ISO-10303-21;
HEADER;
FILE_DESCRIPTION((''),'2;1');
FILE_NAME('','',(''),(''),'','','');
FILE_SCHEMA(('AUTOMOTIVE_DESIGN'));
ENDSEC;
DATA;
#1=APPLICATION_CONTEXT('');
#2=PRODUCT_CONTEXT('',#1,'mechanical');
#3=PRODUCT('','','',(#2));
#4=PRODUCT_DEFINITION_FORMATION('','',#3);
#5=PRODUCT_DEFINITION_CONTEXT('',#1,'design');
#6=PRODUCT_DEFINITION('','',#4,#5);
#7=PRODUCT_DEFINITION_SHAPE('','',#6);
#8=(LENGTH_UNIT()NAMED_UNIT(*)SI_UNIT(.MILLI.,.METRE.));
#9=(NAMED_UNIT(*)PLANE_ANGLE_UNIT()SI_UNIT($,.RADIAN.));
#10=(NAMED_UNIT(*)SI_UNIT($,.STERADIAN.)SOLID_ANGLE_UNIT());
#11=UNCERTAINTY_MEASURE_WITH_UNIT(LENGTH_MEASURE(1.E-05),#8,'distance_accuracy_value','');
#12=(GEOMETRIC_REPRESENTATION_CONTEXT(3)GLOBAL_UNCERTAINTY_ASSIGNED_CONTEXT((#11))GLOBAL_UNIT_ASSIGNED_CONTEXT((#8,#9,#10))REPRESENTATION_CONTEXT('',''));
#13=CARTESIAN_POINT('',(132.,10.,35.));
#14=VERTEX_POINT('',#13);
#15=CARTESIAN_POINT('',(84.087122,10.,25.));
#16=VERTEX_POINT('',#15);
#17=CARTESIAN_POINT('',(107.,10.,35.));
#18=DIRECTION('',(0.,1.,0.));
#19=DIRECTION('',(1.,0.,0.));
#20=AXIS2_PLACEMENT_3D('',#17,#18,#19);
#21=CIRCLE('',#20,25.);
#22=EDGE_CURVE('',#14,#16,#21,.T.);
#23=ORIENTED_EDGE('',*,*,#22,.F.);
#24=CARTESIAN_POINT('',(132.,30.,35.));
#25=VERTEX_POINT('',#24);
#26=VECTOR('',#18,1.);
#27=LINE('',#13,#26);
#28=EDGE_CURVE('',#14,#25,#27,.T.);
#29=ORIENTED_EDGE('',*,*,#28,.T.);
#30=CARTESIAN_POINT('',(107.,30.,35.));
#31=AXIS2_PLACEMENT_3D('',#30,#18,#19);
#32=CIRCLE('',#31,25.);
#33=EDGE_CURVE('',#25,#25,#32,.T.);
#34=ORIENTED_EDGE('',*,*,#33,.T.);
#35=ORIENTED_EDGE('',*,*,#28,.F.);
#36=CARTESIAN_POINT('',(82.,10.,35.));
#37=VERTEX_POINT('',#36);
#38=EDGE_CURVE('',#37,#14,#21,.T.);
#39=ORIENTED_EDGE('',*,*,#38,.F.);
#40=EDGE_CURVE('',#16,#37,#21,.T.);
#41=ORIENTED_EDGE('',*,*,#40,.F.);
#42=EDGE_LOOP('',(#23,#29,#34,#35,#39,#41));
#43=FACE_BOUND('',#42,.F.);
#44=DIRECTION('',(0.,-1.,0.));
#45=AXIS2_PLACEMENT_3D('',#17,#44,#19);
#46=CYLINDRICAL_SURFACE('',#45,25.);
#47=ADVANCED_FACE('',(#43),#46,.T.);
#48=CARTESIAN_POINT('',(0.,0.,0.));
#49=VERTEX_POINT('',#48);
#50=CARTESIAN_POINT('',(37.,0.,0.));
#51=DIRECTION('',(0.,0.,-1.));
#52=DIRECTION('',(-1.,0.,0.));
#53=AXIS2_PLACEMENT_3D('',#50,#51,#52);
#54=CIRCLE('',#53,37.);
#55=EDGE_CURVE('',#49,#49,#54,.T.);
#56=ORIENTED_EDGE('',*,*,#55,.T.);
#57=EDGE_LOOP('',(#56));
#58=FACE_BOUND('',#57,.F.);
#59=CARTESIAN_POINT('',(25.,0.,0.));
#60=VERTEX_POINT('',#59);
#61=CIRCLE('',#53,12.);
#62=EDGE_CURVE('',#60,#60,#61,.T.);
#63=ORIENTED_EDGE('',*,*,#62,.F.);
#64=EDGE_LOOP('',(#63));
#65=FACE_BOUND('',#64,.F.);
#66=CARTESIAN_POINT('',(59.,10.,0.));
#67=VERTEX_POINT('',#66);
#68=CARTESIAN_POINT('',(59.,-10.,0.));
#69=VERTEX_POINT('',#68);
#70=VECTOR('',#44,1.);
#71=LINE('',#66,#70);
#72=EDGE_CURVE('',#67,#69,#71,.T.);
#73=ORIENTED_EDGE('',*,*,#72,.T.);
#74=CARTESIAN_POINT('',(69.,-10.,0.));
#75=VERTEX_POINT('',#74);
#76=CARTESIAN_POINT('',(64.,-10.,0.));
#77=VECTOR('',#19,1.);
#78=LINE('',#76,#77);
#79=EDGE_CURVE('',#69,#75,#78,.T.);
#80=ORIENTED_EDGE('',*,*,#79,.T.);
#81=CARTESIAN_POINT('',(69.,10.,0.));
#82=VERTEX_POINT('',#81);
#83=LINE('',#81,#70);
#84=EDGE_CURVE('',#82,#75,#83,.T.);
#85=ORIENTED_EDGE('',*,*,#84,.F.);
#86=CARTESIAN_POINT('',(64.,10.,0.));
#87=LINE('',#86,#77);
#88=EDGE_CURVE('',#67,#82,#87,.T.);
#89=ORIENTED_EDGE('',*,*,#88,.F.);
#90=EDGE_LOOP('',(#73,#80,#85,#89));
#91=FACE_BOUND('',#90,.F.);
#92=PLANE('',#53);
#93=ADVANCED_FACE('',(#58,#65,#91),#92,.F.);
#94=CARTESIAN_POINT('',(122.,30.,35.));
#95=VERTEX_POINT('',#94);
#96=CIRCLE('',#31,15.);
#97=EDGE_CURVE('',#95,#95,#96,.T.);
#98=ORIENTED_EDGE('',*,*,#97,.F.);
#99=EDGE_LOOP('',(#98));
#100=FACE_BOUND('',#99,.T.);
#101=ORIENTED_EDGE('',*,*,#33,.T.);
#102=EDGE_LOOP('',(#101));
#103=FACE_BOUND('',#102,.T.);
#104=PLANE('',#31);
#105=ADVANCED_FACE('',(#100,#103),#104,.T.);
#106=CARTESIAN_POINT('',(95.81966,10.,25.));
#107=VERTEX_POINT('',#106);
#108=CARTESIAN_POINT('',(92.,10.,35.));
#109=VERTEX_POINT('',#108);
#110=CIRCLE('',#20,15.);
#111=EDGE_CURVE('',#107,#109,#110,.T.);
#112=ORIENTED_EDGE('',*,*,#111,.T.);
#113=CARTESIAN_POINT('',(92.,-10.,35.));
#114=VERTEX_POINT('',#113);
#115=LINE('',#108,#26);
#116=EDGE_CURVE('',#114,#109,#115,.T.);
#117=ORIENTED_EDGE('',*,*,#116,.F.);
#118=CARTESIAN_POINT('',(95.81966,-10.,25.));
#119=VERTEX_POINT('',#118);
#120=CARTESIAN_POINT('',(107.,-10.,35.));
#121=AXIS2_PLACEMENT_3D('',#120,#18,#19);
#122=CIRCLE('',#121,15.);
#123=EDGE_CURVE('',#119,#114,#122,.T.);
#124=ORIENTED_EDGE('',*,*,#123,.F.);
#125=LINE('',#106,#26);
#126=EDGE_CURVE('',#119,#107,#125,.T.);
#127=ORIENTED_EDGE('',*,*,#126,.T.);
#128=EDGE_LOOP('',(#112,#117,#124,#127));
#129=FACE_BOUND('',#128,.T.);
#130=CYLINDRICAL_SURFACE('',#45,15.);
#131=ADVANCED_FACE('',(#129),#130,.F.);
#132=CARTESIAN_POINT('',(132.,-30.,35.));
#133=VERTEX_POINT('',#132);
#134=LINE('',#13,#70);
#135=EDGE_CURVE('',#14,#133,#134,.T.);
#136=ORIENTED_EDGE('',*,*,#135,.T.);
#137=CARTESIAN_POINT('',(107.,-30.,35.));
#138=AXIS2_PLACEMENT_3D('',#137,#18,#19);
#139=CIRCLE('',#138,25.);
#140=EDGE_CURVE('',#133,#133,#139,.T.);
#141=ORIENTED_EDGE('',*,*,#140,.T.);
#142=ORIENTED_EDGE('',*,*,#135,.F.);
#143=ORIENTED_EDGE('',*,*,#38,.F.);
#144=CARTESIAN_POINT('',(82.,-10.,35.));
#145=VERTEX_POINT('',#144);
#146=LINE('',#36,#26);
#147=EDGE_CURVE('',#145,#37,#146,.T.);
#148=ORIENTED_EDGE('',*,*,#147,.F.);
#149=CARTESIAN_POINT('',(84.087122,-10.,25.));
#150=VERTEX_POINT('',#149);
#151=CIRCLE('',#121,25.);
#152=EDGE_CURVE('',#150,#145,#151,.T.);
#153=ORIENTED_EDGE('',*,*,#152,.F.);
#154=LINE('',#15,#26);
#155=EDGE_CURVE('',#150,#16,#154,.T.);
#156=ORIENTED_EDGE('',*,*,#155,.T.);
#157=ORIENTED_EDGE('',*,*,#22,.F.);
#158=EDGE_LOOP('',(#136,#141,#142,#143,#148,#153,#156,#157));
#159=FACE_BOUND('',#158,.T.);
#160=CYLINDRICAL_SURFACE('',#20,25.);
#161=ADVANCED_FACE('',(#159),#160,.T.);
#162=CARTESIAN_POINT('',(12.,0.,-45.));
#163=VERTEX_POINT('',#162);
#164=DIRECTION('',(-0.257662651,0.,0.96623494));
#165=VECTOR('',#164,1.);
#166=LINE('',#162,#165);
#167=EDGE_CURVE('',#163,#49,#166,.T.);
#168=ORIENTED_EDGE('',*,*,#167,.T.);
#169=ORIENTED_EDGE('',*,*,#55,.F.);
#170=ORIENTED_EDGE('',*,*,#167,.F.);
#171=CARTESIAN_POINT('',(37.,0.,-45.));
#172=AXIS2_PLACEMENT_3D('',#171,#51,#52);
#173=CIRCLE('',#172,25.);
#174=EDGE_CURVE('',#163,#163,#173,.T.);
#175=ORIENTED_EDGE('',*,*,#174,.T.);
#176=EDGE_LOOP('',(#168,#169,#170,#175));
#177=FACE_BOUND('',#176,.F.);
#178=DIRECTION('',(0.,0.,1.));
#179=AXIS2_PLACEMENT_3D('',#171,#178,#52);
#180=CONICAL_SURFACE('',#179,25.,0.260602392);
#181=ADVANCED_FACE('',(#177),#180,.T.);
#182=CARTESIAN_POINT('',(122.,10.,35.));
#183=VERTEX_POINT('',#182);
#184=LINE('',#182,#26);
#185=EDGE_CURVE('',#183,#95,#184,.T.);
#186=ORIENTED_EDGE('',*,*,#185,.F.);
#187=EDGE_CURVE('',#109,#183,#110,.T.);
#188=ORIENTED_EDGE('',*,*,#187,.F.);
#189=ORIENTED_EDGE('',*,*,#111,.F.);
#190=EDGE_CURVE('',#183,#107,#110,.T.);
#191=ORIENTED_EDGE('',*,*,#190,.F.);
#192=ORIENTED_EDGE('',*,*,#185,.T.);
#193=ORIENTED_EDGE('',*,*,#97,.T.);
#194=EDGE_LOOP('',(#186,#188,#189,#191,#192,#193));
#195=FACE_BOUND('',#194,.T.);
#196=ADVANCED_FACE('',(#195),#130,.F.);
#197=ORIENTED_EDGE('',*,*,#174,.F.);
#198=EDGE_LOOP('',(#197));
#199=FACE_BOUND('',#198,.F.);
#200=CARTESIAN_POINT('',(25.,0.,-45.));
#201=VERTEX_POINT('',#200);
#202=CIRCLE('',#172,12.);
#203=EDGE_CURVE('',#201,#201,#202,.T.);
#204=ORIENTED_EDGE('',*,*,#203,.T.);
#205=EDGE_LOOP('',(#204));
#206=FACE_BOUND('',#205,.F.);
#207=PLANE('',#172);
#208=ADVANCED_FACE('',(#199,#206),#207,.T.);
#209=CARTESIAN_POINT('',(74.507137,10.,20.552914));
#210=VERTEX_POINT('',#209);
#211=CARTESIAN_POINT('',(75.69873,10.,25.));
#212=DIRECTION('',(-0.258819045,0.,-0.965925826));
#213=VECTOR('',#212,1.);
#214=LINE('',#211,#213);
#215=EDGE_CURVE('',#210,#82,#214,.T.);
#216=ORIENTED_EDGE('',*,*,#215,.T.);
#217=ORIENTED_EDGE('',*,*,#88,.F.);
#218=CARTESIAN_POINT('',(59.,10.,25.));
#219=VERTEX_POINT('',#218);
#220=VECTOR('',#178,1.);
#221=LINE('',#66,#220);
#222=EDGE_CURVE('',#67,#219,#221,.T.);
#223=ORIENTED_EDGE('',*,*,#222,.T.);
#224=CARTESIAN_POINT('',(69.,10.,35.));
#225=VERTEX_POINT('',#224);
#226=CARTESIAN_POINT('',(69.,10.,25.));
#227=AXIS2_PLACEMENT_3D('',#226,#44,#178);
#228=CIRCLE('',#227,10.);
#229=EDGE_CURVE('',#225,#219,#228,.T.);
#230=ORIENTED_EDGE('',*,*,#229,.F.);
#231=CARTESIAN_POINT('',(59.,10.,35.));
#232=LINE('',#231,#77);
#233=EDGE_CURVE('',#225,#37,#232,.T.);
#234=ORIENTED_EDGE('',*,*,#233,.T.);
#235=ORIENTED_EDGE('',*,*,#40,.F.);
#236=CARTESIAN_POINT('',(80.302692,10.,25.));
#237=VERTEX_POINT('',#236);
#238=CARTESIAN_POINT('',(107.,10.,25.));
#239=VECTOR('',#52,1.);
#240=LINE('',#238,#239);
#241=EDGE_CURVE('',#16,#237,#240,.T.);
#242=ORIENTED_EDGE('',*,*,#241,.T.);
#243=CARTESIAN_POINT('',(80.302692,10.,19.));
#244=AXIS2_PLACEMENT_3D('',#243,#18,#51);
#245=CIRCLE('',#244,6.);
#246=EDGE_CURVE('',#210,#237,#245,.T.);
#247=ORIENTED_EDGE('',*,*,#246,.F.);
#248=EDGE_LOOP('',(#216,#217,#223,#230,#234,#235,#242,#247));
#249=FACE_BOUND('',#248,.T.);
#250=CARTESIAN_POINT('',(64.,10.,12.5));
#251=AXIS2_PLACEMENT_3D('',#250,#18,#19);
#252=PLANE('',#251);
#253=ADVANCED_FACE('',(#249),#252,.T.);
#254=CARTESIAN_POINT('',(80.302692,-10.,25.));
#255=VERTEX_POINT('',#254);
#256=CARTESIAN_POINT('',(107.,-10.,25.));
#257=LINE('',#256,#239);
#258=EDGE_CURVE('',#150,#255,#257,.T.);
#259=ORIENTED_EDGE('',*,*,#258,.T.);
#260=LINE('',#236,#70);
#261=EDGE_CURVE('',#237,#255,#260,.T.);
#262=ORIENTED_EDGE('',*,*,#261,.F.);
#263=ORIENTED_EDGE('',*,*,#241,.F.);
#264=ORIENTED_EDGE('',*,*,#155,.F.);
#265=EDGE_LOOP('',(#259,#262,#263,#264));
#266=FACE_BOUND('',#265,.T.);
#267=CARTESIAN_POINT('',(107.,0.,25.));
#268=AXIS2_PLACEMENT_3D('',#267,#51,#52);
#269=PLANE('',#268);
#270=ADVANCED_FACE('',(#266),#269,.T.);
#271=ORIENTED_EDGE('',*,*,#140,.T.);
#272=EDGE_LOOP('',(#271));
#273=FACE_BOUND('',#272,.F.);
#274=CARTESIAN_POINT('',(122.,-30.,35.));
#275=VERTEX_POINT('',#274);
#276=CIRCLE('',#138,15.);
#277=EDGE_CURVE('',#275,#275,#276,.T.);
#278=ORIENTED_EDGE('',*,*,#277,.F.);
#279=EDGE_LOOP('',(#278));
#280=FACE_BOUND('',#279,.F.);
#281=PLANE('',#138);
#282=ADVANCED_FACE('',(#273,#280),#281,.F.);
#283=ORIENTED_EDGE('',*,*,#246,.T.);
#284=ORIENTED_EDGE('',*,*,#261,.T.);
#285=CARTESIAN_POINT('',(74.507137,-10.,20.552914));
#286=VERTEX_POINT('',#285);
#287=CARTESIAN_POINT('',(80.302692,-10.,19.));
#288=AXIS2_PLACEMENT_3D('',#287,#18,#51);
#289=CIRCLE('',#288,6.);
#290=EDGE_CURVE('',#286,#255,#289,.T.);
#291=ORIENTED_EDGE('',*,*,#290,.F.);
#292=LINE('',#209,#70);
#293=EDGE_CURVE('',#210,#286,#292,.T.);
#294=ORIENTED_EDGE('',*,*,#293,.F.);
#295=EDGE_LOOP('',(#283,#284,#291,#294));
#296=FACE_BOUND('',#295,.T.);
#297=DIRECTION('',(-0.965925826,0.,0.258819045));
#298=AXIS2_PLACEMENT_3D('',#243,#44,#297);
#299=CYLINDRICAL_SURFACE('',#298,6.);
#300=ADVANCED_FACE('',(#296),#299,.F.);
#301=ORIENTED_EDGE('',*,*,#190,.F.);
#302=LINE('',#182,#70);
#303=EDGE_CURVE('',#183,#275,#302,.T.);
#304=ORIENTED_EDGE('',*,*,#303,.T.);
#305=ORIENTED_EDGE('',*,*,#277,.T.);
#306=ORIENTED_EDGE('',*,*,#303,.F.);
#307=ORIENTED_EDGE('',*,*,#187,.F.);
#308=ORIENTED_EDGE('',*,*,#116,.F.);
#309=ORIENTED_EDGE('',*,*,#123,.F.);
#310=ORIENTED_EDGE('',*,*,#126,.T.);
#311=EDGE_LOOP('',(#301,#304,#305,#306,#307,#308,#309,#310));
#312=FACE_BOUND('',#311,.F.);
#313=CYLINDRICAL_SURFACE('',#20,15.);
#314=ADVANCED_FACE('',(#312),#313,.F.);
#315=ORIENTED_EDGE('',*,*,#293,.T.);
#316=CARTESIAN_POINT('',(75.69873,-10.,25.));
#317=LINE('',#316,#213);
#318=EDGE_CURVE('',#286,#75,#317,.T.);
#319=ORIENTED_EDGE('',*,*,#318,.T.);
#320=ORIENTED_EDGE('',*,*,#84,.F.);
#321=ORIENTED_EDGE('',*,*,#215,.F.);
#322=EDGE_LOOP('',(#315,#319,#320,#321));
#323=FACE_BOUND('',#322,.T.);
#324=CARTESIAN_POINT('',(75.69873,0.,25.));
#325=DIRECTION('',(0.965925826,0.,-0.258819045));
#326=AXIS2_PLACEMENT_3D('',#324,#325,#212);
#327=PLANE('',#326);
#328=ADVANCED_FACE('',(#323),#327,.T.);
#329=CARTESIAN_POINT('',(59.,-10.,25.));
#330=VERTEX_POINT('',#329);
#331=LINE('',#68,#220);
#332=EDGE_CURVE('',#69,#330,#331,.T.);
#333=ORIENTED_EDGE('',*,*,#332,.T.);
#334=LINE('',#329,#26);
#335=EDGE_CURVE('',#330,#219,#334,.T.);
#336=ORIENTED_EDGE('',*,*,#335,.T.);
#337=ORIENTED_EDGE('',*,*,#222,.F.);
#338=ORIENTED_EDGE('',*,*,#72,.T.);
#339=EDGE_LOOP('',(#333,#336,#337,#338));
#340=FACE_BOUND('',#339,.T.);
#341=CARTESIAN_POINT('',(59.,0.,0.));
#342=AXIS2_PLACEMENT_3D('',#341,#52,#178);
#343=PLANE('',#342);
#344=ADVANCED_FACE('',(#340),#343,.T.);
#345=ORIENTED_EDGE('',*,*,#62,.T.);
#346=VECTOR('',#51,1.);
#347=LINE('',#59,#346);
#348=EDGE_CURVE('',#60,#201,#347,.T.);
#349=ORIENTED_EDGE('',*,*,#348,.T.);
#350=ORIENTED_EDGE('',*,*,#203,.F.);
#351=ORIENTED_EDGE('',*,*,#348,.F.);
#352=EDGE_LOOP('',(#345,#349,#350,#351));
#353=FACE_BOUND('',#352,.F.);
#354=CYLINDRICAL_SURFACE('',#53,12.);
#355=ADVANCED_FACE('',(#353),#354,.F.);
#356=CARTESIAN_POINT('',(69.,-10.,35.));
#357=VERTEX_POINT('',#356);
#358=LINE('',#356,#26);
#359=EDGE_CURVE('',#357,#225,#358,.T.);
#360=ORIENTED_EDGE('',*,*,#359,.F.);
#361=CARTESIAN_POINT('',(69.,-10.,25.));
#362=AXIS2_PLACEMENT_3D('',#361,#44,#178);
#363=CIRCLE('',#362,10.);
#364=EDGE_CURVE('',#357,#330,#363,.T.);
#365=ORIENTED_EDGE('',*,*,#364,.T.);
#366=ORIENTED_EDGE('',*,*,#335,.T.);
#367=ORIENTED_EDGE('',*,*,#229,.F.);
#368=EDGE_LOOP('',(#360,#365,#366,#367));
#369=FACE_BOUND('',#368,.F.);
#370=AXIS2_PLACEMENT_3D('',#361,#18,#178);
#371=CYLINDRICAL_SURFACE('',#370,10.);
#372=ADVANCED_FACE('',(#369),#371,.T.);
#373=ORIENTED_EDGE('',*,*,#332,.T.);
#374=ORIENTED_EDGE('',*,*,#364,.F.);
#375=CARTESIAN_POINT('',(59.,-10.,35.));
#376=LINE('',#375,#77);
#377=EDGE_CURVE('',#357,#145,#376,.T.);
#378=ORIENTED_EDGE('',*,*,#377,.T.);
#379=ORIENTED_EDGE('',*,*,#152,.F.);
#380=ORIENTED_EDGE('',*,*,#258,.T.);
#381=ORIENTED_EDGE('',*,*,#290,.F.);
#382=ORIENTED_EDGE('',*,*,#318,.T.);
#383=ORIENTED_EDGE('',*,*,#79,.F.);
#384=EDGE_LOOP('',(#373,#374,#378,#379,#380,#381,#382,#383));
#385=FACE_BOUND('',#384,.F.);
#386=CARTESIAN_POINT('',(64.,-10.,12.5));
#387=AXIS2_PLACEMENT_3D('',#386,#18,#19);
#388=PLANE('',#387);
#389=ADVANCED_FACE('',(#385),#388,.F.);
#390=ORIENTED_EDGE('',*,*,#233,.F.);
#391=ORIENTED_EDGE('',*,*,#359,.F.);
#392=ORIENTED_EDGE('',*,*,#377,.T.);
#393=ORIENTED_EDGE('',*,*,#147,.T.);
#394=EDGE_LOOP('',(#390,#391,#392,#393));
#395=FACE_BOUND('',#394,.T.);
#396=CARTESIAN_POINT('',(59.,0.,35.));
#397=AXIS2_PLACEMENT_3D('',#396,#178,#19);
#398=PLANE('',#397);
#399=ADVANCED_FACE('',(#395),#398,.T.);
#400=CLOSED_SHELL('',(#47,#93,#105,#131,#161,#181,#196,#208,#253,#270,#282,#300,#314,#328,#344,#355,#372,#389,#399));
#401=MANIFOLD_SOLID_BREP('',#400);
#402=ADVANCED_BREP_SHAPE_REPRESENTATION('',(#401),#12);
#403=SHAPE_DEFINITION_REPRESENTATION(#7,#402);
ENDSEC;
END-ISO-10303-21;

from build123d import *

# Parameters (mm, degrees)
SKETCH3_W                = 10
SKETCH3_H                = 25
SKETCH3_H_2              = 10
BOSS_EXTRUDE1_DEPTH      = 10
FILLET1_R                = 6
FILLET2_R                = 10
SKETCH4_R                = 15
CUT_EXTRUDE1_DEPTH       = 48
SKETCH4_3_R              = 25
SKETCH4_3_R_2            = 15
BOSS_EXTRUDE2_DEPTH      = 20
BOSS_EXTRUDE2_DEPTH_BACK = 40


with BuildPart() as part:
    # Sketch1 → Revolve1 (revolve)
    with BuildSketch(Plane(origin=(0, 0, 0), x_dir=(1, 0, 0), z_dir=(0, 1, 0))):
        Polygon((12, 45), (0, 0), (25, 0), (25, 45), align=None)
    revolve(axis=Axis((37, 0, 0), (0, 0, -1)))

    # Sketch3 → Boss-Extrude1 (add, symmetric)
    with BuildSketch(Plane(origin=(0, 0, 0), x_dir=(1, 0, 0), z_dir=(0, 1, 0))):
        with Locations((64, -12.5)):
            Rectangle(SKETCH3_W, SKETCH3_H)
        with Locations((64, -30)):
            Rectangle(SKETCH3_W, SKETCH3_H_2)
        Polygon((75.698729811, -25), (69, -25), (69, -35), (107, -35), (107, -25), align=None)
        Polygon((75.698729811, -25), (69, 0), (69, -25), align=None)
    extrude(amount=BOSS_EXTRUDE1_DEPTH, both=True)

    # Fillet1
    fillet1_edges = [part.edges().sort_by_distance(p)[0] for p in [
        (75.698729811, 0, 25),
    ]]
    fillet(fillet1_edges, radius=FILLET1_R)

    # Fillet2
    fillet2_edges = [part.edges().sort_by_distance(p)[0] for p in [
        (59, 0, 35),
    ]]
    fillet(fillet2_edges, radius=FILLET2_R)

    # Sketch4 → Cut-Extrude1 (cut, through all)
    with BuildSketch(Plane(origin=(0, 10, 0), x_dir=(1, 0, 0), z_dir=(0, 1, 0))):
        with Locations((107, -35)):
            Circle(SKETCH4_R)
    extrude(amount=-CUT_EXTRUDE1_DEPTH, mode=Mode.SUBTRACT)

    # Sketch4_3 → Boss-Extrude2 (add, two sides)
    with BuildSketch(Plane(origin=(0, 10, 0), x_dir=(1, 0, 0), z_dir=(0, 1, 0))) as boss_extrude2_sk:
        with Locations((107, -35)):
            Circle(SKETCH4_3_R)
        with Locations((107, -35)):
            Circle(SKETCH4_3_R_2, mode=Mode.SUBTRACT)
    extrude(amount=BOSS_EXTRUDE2_DEPTH)
    extrude(boss_extrude2_sk.sketch, amount=-BOSS_EXTRUDE2_DEPTH_BACK)


solid = part.part
